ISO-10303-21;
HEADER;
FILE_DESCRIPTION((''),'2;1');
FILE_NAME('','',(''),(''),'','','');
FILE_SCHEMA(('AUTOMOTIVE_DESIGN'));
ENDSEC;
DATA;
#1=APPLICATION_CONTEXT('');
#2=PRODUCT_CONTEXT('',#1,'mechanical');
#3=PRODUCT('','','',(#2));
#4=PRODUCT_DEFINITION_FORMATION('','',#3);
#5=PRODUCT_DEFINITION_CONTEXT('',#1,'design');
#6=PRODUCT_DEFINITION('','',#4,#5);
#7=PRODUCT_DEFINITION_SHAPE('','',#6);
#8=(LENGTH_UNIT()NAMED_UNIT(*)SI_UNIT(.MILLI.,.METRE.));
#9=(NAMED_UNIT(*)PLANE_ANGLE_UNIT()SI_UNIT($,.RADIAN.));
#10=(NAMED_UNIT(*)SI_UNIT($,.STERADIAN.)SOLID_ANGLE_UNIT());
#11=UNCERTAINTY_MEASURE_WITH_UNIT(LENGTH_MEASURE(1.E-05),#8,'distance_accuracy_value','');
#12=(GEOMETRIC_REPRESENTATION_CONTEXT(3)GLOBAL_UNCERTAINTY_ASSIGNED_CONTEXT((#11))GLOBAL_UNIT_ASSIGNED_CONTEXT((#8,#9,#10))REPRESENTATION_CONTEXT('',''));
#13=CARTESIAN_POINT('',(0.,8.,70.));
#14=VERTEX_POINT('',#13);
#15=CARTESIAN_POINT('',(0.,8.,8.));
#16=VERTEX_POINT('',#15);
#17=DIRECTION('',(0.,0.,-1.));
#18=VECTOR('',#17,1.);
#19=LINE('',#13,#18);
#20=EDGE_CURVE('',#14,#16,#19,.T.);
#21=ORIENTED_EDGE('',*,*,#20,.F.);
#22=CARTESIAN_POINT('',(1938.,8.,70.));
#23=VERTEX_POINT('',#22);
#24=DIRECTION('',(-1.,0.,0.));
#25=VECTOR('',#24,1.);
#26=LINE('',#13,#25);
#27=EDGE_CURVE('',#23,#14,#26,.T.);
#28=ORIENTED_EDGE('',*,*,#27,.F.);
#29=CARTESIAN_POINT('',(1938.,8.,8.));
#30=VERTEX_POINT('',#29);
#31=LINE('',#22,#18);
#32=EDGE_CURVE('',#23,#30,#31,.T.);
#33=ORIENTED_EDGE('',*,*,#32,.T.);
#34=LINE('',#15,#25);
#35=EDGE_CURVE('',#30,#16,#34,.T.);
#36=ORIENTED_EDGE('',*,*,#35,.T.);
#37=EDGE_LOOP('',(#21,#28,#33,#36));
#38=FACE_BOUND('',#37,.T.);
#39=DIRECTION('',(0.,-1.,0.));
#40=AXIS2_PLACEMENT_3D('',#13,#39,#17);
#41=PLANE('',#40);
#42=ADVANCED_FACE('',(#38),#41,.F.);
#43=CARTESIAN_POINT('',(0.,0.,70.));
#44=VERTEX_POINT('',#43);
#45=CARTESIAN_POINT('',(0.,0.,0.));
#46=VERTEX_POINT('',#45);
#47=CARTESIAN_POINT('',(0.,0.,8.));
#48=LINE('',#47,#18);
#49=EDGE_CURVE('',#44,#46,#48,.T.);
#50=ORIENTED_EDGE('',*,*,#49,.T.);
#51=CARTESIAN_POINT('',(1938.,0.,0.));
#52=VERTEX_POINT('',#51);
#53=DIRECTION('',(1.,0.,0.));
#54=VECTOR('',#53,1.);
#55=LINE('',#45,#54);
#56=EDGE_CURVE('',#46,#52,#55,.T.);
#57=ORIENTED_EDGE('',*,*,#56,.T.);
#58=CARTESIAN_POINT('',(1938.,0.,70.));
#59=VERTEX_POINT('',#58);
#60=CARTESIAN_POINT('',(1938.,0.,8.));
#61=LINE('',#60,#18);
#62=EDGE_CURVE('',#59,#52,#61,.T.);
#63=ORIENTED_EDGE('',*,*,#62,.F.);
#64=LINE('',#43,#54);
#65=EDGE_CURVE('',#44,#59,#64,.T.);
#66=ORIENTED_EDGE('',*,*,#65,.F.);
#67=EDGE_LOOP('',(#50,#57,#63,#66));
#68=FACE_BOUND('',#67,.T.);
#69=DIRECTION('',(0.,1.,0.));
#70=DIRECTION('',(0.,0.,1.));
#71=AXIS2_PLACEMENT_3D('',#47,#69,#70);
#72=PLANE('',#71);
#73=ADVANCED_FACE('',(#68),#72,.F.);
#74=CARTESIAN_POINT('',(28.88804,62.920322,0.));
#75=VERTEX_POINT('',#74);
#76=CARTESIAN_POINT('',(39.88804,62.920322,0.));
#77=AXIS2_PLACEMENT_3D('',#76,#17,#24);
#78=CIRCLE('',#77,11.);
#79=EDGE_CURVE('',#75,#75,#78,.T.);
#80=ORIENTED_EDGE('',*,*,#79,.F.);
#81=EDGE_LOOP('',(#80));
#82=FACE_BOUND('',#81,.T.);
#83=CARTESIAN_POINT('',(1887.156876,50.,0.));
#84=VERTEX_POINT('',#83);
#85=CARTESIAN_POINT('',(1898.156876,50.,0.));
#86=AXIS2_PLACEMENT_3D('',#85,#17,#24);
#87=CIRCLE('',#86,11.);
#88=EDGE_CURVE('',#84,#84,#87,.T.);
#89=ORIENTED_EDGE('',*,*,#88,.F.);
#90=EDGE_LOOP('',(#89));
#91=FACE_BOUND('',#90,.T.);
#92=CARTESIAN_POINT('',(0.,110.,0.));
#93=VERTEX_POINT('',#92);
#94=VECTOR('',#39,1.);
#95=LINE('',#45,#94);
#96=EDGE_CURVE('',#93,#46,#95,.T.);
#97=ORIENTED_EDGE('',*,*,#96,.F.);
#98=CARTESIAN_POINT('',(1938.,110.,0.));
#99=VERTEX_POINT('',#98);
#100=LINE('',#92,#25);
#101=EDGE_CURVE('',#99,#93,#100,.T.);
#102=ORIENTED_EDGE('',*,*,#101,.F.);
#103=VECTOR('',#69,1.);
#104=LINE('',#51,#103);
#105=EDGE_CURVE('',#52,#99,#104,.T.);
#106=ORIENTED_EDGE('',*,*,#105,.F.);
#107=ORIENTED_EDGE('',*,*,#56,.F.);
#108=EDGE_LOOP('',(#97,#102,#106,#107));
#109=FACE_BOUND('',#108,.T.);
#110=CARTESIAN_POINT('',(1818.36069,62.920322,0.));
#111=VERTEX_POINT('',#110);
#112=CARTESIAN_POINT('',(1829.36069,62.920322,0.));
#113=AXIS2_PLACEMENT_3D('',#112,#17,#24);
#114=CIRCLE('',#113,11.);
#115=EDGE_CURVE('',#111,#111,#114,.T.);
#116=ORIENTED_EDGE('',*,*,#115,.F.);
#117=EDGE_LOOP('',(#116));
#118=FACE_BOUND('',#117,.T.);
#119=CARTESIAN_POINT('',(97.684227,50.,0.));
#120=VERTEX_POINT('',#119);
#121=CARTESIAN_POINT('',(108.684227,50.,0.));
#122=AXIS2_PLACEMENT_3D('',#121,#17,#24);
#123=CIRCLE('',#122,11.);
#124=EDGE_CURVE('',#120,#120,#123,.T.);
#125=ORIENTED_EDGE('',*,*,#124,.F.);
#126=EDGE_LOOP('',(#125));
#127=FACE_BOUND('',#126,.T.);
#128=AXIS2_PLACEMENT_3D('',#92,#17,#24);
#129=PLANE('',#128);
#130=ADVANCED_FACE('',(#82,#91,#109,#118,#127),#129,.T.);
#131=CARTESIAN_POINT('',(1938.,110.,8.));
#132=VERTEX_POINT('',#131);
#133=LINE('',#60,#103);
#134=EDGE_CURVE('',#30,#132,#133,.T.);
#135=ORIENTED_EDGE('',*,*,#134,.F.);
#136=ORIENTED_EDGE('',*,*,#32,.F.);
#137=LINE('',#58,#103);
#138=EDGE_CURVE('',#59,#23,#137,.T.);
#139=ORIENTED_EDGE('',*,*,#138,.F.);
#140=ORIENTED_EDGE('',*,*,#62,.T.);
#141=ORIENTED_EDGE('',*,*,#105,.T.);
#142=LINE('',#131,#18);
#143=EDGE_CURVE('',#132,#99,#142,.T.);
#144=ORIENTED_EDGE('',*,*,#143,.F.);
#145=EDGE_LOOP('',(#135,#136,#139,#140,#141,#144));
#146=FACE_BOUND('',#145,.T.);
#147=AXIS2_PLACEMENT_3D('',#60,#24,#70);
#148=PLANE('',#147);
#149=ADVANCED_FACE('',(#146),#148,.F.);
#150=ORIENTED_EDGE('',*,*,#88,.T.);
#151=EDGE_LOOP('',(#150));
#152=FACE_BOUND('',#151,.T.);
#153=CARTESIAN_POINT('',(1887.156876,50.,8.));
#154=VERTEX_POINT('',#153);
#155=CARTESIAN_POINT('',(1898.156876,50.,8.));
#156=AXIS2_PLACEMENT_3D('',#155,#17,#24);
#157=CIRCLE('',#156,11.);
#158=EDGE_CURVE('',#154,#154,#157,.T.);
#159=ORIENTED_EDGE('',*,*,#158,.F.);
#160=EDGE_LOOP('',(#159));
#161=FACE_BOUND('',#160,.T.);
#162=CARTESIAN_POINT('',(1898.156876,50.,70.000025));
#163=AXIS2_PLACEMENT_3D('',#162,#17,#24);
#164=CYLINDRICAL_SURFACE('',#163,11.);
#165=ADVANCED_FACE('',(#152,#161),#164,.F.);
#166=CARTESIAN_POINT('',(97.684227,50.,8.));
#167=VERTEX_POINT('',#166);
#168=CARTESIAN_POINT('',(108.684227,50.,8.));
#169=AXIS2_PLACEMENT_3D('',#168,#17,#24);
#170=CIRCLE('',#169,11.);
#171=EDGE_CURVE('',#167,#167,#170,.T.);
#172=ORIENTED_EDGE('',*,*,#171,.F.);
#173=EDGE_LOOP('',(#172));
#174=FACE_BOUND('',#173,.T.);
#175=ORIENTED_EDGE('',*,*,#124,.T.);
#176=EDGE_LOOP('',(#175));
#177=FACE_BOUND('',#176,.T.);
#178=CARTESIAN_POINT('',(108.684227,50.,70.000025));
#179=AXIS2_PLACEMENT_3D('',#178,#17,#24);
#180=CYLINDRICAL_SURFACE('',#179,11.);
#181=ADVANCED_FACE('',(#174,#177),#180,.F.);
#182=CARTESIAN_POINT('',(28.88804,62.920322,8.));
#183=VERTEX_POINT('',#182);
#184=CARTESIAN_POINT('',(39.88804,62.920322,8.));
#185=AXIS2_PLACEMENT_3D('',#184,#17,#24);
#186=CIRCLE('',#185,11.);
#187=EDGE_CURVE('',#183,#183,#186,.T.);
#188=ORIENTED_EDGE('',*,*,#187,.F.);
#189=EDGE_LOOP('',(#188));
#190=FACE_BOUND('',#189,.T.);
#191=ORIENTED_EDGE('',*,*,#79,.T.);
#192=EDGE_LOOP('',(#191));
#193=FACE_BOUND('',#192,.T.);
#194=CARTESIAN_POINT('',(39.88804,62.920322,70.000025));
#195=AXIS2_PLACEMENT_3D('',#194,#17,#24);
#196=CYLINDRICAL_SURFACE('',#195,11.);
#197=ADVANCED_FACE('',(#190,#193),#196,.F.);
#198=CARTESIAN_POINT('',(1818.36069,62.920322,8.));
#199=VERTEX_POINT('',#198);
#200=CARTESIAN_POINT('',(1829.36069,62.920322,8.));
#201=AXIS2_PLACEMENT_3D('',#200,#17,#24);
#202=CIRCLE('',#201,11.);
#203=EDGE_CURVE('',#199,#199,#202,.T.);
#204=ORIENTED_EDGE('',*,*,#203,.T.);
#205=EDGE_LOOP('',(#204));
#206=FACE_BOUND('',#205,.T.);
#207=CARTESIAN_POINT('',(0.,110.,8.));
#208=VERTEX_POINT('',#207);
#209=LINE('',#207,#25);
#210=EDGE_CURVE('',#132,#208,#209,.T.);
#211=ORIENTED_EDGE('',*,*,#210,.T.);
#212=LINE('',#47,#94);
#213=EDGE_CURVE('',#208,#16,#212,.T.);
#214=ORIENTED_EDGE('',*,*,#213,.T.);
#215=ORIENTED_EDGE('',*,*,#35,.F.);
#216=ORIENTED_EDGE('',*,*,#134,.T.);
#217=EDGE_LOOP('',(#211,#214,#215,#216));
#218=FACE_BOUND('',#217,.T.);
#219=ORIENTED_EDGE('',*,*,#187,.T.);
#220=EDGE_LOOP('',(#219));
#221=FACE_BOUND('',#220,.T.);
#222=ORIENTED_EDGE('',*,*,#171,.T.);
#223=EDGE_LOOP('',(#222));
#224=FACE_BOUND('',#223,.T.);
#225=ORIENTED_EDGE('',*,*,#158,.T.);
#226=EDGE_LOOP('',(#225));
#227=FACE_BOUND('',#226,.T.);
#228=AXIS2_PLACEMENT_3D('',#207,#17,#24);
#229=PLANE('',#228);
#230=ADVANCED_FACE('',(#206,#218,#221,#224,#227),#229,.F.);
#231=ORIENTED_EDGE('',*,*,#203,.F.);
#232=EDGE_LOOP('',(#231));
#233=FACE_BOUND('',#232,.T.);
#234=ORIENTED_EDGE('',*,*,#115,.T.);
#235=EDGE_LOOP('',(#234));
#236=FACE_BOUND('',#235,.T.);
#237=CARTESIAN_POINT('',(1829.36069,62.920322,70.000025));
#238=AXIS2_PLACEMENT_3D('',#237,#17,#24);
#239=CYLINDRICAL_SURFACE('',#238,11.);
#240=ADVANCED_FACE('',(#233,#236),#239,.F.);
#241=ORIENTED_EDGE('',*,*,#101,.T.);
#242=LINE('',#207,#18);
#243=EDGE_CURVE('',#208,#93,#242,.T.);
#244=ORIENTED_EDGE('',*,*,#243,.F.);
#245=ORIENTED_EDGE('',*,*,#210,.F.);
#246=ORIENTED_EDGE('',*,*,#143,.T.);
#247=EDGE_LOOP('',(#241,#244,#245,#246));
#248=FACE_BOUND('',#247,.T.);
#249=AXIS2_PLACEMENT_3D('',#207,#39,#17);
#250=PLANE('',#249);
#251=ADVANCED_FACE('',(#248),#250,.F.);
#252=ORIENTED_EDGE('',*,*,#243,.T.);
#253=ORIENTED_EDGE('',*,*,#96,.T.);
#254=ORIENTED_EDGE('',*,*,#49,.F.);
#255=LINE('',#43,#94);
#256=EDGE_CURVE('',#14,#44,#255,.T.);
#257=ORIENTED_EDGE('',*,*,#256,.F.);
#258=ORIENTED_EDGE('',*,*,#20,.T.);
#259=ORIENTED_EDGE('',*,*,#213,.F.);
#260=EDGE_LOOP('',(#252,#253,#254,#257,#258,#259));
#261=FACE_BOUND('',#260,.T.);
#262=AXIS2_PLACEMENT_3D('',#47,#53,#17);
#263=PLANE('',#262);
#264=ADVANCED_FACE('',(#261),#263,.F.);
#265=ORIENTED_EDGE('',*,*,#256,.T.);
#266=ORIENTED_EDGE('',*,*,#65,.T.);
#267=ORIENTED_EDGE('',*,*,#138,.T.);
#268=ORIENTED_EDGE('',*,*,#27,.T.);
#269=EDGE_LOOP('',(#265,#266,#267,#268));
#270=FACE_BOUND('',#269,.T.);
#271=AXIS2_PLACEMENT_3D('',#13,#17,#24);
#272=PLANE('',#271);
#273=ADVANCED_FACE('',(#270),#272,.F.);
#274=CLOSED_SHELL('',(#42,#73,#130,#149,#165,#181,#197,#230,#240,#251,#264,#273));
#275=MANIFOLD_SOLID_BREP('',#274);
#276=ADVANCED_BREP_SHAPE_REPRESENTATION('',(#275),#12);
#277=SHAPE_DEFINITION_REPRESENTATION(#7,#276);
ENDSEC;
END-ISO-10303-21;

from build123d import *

# Parameters (mm, degrees)
SKETCH_1_W          = 1938
SKETCH_1_H          = 110
EXTRUDE_3_DEPTH     = 8
SKETCH_2_W          = 1938
SKETCH_2_H          = 8
EXTRUDE_4_DEPTH     = 62
SKETCH_4_R          = 11
CUT_EXTRUDE_1_DEPTH = 1943.381013087


with BuildPart() as part:
    # 草图1 → 拉伸3 (new body)
    with BuildSketch(Plane.XY):
        with Locations((969, 55)):
            Rectangle(SKETCH_1_W, SKETCH_1_H)
    extrude(amount=EXTRUDE_3_DEPTH)

    # 草图2 → 拉伸4 (add)
    with BuildSketch(Plane.XY.offset(8)):
        with Locations((969, 4)):
            Rectangle(SKETCH_2_W, SKETCH_2_H)
    extrude(amount=EXTRUDE_4_DEPTH)

    # 草图4 → 切除-拉伸1 (cut, through all)
    with BuildSketch(Plane(origin=(0, 0, 0), x_dir=(-1, 0, 0), z_dir=(0, 0, -1))):
        with Locations((-1898.156876116, 50)):
            Circle(SKETCH_4_R)
        with Locations((-1829.360689526, 62.920321616)):
            Circle(SKETCH_4_R)
        with Locations((-108.684226659, 50)):
            Circle(SKETCH_4_R)
        with Locations((-39.888040069, 62.920321616)):
            Circle(SKETCH_4_R)
    extrude(amount=-CUT_EXTRUDE_1_DEPTH, mode=Mode.SUBTRACT)


solid = part.part
